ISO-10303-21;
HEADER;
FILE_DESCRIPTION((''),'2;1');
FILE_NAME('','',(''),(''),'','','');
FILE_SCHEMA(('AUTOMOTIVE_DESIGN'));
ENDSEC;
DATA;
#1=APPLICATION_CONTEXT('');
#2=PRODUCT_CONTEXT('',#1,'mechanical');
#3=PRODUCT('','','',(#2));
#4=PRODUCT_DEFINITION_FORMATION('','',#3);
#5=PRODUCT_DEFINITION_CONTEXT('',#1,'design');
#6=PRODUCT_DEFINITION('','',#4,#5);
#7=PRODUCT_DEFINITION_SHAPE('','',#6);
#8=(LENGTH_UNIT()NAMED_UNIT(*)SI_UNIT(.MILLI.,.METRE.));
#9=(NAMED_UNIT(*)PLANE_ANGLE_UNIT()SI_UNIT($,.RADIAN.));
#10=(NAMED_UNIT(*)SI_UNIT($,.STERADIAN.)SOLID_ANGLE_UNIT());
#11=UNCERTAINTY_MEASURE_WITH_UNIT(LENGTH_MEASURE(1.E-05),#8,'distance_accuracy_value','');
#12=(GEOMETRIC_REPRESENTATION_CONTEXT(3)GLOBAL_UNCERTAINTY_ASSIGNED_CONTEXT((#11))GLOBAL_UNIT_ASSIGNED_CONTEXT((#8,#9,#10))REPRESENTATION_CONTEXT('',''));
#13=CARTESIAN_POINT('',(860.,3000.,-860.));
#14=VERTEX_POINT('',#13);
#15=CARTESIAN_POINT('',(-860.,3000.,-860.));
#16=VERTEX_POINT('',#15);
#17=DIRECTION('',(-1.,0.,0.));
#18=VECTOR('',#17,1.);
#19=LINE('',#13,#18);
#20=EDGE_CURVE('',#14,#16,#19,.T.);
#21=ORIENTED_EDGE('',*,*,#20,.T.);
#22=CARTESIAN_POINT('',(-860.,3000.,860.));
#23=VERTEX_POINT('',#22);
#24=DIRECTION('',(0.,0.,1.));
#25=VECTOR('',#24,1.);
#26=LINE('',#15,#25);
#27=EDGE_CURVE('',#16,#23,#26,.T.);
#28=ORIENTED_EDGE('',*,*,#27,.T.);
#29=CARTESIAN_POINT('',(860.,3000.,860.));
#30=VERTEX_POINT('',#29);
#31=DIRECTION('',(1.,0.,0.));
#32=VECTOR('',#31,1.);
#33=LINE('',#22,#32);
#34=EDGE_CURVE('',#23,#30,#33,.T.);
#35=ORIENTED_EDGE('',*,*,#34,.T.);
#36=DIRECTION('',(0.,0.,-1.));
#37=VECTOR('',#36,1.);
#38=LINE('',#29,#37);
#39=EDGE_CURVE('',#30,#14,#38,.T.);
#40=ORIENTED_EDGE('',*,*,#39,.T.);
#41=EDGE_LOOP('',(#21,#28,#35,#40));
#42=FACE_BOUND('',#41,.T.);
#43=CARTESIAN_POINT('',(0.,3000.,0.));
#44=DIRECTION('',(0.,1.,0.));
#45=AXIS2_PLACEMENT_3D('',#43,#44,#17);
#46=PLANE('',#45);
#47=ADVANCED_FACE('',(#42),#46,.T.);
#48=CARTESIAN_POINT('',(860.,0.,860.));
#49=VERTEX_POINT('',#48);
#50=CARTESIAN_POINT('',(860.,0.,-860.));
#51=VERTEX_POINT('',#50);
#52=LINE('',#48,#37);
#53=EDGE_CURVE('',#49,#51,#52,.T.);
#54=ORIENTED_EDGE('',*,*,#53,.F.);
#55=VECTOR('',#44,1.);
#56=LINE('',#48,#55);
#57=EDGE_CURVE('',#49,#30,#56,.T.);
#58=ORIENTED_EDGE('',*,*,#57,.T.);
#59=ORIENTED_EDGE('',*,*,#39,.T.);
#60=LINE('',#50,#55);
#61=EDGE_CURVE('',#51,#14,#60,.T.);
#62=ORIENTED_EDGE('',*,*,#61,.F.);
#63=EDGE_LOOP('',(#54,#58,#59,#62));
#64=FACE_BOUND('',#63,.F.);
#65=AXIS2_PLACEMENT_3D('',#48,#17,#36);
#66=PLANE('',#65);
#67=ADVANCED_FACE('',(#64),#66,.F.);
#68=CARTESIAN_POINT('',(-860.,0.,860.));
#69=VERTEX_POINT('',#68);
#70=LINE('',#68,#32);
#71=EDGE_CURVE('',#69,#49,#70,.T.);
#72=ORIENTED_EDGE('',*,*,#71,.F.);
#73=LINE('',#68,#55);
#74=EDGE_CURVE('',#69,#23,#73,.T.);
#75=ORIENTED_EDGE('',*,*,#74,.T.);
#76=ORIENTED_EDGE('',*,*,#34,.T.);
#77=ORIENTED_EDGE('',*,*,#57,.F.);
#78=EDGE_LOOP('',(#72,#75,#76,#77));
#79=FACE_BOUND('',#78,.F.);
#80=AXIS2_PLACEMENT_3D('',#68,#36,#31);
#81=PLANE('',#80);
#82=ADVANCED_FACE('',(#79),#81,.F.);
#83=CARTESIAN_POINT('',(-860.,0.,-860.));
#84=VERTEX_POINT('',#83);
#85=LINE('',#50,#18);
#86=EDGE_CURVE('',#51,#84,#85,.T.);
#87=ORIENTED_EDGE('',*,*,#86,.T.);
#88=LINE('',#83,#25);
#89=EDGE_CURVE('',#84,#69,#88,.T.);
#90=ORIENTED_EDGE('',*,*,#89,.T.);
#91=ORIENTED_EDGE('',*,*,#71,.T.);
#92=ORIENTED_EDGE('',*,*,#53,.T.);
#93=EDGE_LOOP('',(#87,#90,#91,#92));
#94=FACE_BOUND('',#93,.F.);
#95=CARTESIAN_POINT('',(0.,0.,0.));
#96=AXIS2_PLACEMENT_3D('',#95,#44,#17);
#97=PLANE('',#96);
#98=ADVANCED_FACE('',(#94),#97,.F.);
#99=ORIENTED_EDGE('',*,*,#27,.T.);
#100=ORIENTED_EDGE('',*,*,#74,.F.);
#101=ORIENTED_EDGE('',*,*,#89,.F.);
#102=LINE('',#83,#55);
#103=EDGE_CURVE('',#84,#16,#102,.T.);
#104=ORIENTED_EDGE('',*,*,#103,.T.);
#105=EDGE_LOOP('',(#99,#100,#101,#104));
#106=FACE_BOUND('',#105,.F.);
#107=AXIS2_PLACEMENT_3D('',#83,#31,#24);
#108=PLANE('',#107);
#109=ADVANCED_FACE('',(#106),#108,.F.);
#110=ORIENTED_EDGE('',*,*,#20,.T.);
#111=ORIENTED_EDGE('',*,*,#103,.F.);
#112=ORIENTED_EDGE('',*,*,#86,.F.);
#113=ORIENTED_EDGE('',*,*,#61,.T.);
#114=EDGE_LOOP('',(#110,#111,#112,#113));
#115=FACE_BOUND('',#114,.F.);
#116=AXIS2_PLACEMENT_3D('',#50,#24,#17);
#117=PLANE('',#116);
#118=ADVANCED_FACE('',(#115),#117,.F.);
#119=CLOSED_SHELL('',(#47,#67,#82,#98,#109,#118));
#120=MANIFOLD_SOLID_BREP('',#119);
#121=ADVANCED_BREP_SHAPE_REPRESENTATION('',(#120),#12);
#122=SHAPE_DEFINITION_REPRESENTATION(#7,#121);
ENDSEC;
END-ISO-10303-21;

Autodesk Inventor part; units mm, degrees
ref_plane "YZ Plane" through (0, 0, 0) normal (1, 0, 0) x (0, 1, 0)
ref_plane "XZ Plane" through (0, 0, 0) normal (0, 1, 0) x (-1, 0, 0)
ref_plane "XY Plane" through (0, 0, 0) normal (0, 0, 1) x (1, 0, 0)
sketch "Sketch1" plane through (0, 0, 0) normal (0, 1, 0) x (-1, 0, 0)
  line L0 (860, 860) -> (-860, 860)
  line L1 (-860, 860) -> (-860, -860)
  line L2 (-860, -860) -> (860, -860)
  line L3 (860, -860) -> (860, 860)
  line L4 (860, 860) -> (-860, -860) construction
  point P0 (0, 0)
  point P1 (0, 0)
  dimension "d0" = 1720
  dimension "d1" = 1720
extrude "Extrusion1" add sketch "Sketch1" along normal blind 3000
properties part number "Эскиз рама осн."
